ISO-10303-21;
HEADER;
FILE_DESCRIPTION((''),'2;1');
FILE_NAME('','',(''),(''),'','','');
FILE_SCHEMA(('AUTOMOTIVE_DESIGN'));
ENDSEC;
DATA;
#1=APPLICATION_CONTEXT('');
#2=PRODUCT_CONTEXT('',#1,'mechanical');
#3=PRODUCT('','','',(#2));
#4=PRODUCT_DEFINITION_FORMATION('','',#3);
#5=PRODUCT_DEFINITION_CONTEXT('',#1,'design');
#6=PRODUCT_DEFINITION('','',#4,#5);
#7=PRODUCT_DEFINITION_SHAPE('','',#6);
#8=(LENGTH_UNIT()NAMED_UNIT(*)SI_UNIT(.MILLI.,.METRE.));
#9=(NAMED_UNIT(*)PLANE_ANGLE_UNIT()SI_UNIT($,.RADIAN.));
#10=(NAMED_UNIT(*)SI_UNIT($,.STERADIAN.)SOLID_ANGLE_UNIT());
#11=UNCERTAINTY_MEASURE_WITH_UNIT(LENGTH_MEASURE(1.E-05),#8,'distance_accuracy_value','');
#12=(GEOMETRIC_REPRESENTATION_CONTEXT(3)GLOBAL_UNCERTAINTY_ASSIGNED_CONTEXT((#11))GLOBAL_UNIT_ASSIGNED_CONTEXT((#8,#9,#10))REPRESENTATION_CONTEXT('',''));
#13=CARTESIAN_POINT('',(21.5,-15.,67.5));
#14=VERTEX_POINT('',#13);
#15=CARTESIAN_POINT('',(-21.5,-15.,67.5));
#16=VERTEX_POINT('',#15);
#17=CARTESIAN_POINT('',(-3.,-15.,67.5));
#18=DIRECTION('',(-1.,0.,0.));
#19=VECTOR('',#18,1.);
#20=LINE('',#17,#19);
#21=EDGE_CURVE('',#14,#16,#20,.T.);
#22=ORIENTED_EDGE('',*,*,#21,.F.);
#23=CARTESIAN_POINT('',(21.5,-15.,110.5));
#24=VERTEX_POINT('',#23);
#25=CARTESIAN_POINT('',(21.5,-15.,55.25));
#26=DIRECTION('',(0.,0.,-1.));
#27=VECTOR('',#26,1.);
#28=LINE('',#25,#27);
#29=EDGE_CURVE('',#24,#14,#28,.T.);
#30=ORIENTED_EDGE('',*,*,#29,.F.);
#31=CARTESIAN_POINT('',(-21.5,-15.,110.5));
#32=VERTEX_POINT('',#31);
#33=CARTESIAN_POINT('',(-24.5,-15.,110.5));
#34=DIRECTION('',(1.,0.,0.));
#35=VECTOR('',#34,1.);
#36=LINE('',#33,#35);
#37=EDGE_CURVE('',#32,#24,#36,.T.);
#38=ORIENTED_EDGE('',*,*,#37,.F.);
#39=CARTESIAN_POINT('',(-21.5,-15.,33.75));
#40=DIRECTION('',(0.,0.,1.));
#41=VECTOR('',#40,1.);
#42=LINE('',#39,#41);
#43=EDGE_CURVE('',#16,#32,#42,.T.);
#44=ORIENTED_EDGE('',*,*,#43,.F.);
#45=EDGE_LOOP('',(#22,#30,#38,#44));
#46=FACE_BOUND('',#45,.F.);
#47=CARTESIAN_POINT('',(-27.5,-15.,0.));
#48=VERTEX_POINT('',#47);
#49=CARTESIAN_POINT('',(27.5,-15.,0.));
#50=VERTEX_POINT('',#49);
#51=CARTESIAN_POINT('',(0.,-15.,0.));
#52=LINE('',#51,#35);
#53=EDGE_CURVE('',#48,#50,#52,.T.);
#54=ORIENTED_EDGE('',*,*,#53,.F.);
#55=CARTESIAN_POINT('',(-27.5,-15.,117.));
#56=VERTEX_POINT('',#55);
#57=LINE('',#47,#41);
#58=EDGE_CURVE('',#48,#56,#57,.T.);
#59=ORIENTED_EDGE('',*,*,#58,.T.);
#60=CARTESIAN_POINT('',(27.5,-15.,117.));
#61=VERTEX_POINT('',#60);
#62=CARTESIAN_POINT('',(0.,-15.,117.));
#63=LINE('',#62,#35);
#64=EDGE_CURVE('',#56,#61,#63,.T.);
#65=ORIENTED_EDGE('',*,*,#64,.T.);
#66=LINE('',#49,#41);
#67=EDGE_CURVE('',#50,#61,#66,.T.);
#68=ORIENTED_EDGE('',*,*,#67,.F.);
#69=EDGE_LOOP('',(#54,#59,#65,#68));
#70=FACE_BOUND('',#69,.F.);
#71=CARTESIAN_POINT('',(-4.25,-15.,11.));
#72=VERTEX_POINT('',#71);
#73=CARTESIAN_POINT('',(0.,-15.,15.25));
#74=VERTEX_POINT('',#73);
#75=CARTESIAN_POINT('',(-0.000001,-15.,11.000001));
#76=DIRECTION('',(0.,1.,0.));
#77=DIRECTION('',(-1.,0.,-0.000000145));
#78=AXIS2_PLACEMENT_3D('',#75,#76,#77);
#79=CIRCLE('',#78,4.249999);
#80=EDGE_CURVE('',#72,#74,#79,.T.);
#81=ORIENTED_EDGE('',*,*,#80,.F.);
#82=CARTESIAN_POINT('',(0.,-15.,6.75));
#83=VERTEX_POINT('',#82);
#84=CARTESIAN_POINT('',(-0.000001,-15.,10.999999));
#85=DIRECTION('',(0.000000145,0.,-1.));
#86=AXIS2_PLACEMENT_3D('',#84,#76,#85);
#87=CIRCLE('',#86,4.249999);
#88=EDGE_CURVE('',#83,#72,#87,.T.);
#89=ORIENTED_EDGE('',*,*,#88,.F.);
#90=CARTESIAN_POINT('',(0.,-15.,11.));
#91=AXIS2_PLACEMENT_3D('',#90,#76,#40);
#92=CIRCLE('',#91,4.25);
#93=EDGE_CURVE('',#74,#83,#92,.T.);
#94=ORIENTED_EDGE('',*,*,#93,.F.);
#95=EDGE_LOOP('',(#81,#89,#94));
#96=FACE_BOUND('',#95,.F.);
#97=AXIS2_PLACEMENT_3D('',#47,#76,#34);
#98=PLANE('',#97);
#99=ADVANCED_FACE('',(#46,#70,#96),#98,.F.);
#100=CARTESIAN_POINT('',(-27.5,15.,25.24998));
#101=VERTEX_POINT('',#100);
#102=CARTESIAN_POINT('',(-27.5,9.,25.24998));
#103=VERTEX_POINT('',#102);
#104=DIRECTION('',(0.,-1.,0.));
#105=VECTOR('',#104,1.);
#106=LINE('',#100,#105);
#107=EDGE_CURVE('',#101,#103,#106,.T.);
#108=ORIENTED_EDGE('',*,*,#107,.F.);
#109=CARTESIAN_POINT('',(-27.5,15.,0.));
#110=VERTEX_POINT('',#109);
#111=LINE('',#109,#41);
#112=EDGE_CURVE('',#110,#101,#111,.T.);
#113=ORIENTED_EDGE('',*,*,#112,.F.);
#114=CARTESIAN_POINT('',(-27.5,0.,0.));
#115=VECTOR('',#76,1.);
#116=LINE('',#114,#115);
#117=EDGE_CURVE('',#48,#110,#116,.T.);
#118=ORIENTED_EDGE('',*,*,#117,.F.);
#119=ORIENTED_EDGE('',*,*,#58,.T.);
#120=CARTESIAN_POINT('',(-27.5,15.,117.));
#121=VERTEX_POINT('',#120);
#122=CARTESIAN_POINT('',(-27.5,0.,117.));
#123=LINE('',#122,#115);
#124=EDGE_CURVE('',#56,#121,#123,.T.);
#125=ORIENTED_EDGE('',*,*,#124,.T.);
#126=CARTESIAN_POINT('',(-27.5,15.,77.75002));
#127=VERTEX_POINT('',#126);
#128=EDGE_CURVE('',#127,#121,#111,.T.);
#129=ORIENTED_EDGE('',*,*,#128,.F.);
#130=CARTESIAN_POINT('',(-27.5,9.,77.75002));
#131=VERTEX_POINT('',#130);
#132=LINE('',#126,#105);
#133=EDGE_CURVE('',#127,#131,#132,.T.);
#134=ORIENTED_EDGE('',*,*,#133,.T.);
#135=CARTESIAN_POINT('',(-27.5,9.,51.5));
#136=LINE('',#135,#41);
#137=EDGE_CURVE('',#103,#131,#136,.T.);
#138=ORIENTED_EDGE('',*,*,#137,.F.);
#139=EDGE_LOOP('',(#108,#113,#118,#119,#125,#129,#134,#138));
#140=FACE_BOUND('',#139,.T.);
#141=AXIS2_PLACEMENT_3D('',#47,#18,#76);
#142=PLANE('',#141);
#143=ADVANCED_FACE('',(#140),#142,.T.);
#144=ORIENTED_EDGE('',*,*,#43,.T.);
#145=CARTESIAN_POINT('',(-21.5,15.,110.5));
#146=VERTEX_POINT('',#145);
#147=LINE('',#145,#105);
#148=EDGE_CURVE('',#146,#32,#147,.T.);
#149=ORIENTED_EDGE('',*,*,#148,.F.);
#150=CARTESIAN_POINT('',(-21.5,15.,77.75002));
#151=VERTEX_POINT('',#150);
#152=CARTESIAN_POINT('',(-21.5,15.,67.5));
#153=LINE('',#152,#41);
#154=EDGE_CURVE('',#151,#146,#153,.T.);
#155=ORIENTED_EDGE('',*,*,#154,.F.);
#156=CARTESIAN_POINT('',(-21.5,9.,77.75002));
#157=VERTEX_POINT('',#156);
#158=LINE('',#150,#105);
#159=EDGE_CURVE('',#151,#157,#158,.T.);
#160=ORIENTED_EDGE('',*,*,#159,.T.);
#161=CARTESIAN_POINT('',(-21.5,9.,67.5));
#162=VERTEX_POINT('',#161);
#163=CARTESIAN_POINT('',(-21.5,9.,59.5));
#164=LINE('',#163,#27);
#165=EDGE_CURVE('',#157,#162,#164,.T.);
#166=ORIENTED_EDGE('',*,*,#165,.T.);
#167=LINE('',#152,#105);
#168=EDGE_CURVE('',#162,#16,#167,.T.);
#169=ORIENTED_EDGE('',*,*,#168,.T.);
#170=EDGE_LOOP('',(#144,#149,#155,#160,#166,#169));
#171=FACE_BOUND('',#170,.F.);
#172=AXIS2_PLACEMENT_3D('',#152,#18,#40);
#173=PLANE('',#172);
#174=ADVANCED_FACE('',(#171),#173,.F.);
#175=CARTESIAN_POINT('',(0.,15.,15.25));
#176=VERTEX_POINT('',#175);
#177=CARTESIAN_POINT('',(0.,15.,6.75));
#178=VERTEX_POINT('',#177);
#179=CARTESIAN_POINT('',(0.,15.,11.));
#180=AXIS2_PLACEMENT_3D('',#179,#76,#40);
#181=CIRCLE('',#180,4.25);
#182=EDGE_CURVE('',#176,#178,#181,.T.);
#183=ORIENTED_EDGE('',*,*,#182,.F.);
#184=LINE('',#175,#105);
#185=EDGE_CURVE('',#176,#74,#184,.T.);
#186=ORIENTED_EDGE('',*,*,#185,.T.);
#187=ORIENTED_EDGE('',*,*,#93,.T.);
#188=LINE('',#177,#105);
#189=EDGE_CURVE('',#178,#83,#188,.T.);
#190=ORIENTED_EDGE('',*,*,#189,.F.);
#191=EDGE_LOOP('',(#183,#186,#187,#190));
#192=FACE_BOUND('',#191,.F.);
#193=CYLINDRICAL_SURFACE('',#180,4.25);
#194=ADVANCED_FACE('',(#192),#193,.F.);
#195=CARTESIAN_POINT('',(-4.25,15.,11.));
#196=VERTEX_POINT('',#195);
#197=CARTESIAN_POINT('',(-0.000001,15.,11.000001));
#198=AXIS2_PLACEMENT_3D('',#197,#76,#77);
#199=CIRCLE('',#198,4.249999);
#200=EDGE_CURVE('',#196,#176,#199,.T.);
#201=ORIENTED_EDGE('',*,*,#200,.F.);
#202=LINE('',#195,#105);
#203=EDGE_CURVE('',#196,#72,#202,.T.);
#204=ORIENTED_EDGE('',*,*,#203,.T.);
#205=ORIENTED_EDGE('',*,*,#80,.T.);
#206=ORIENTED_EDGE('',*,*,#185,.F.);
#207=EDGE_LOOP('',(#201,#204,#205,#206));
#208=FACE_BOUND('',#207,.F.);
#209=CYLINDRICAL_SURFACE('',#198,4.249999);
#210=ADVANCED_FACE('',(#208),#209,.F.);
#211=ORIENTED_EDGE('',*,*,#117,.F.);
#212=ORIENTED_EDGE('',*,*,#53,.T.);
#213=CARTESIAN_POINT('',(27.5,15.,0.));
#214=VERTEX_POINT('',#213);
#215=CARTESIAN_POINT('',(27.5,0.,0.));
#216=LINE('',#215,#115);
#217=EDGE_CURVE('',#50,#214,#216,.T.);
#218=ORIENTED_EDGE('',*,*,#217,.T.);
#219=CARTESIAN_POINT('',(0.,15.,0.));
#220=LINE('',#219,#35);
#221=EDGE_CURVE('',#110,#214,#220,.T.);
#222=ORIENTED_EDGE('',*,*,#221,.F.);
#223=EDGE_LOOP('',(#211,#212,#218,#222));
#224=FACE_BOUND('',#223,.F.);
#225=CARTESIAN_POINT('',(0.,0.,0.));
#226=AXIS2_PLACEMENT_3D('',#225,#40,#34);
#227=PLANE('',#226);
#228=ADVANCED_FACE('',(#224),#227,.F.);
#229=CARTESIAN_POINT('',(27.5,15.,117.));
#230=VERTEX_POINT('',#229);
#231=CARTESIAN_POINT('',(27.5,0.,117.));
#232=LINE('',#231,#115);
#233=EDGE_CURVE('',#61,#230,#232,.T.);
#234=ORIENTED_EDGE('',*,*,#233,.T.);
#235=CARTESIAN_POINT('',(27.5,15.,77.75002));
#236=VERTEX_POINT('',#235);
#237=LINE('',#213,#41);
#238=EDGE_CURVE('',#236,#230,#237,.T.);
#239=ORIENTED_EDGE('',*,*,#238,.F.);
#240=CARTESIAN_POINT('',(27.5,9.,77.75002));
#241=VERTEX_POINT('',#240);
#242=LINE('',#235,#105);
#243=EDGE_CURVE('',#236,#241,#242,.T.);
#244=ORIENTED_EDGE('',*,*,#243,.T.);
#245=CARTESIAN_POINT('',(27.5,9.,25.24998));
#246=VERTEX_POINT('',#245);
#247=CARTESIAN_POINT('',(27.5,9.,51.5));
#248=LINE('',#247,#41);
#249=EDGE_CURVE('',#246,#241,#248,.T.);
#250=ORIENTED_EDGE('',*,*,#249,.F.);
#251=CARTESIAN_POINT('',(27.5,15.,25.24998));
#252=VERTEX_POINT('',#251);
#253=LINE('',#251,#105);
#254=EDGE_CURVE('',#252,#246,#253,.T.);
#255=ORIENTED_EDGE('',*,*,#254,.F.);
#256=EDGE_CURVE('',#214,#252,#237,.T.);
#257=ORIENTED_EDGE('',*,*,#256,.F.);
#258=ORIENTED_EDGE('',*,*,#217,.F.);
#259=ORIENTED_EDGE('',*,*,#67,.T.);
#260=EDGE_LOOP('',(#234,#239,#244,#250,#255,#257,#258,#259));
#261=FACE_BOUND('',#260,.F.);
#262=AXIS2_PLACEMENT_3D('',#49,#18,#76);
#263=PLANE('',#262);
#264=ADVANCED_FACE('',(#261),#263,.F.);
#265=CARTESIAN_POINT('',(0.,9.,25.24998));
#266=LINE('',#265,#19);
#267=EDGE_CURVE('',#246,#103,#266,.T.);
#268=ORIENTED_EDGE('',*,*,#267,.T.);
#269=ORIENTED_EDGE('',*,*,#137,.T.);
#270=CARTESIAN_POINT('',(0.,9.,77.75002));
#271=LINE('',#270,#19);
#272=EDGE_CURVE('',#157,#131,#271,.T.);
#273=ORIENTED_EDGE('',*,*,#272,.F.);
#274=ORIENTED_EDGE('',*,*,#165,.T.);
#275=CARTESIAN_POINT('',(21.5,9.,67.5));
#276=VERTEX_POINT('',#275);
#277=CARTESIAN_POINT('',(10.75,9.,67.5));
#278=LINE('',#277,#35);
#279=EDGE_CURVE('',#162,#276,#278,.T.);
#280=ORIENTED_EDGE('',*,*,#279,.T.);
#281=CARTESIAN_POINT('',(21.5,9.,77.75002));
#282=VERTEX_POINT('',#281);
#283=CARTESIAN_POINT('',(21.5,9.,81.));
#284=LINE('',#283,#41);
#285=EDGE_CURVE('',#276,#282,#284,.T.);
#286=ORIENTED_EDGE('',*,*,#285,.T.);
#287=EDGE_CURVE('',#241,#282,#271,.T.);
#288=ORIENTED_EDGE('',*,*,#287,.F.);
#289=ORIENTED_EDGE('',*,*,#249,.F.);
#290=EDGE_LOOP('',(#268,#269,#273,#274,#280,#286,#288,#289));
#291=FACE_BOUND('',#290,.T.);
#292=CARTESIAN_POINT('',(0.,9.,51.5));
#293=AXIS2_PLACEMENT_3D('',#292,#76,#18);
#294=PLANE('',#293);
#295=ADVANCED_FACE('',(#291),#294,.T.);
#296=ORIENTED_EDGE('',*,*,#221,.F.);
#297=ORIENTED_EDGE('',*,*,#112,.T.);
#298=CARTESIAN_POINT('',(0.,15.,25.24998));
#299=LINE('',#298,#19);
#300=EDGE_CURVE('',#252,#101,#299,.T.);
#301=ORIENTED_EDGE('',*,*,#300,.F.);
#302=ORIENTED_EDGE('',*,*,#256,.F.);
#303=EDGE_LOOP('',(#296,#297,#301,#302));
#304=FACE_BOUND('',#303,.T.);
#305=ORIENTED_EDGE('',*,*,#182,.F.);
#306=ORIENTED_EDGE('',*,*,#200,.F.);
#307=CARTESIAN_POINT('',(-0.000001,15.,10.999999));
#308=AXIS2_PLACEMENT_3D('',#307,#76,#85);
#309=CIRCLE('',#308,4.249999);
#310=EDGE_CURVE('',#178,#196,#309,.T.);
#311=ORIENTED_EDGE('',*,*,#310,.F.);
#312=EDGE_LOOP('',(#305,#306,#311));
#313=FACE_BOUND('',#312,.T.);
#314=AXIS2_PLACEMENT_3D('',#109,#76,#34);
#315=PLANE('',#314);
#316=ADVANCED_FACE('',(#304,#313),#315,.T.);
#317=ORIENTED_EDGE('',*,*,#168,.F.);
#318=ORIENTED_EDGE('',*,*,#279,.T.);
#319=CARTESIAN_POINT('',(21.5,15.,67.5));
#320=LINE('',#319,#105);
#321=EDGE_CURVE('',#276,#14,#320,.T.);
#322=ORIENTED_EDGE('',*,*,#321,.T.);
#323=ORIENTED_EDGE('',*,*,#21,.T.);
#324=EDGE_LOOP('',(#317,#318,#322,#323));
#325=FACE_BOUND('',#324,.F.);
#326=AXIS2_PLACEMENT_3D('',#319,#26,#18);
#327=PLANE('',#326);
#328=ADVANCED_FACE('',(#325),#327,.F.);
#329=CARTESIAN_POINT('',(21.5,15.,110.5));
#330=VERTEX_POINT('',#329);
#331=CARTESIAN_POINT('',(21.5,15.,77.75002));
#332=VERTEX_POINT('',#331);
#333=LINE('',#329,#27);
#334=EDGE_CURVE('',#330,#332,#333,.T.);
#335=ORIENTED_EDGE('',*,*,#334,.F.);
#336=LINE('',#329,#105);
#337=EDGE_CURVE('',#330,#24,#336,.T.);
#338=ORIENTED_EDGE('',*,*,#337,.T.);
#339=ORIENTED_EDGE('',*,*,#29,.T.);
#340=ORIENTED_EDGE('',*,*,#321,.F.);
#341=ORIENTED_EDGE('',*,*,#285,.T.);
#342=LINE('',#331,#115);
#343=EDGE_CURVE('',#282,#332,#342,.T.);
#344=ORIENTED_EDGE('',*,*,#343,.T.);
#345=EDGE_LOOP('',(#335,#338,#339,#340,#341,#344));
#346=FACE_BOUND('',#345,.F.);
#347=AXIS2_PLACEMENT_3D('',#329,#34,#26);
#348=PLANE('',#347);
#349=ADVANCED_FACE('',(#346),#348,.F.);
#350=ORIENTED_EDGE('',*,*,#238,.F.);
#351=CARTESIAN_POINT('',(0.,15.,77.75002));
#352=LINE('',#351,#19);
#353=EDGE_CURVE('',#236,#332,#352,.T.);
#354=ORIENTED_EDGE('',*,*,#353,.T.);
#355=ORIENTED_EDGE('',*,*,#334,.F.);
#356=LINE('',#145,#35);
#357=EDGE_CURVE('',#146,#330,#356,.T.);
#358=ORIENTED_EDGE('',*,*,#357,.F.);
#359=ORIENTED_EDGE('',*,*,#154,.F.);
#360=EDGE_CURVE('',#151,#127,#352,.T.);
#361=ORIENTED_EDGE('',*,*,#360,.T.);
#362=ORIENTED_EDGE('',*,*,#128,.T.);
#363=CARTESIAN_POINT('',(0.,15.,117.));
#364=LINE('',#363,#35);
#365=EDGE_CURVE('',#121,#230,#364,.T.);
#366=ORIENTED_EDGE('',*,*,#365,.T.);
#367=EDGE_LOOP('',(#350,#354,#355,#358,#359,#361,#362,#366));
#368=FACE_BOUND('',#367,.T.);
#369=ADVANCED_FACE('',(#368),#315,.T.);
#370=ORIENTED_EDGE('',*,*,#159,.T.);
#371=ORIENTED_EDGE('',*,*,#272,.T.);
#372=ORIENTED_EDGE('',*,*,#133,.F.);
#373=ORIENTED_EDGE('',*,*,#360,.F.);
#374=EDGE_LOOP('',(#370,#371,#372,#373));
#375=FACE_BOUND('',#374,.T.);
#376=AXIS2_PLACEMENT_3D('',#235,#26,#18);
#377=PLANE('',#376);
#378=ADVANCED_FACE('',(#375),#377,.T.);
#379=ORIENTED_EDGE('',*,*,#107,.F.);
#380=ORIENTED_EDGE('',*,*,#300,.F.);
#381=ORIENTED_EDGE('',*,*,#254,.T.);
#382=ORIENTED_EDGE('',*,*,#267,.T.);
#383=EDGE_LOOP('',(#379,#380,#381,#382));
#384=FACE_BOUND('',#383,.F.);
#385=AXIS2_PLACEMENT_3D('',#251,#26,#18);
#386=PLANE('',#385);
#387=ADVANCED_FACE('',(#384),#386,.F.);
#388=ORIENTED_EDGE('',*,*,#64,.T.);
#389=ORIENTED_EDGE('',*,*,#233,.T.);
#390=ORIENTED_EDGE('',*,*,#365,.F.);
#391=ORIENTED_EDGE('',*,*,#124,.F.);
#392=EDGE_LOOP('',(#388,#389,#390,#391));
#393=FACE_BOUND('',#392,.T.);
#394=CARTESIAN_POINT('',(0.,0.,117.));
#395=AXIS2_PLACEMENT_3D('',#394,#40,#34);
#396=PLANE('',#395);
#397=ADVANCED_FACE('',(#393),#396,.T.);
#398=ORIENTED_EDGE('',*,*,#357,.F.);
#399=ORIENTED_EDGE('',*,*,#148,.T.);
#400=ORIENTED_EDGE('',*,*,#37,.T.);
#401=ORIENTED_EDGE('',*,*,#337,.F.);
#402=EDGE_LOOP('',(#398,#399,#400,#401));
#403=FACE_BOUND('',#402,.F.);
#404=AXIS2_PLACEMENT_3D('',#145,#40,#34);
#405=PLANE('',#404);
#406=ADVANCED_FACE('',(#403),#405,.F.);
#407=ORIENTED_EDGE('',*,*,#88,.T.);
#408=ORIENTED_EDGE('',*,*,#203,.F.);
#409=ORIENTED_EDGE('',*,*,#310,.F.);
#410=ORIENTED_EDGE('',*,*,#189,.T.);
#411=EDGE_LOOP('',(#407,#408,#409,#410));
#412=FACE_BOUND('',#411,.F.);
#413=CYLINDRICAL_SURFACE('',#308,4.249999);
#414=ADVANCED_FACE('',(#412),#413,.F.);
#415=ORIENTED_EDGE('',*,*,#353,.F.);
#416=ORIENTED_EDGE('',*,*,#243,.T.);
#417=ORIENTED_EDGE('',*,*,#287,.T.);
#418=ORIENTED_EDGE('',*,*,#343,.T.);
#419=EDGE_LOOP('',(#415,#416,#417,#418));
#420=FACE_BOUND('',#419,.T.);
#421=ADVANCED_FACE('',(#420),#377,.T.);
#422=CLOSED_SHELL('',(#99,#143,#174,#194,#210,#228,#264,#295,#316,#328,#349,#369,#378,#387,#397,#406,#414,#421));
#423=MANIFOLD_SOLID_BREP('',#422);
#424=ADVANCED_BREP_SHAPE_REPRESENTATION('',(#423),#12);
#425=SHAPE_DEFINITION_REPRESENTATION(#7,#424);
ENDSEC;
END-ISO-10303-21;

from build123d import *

# Parameters (mm, degrees)
F0_W     = 55
F0_H     = 30
F1_DEPTH = 117
F3_DEPTH = 47.244
F4_W     = 55
F4_H     = 52.50004
F5_DEPTH = 6


with BuildPart() as f1:
    # F0 (on Top) → F1 (new body)
    with BuildSketch(Plane.XY):
        Rectangle(F0_W, F0_H)
    extrude(amount=F1_DEPTH)

    # F2 (on face) → F3 (cut)
    with BuildSketch(Plane(origin=(0, 15, 0), x_dir=(-1, 0, 0), z_dir=(0, 1, 0))):
        with BuildLine():
            ThreePointArc((0, 15.25), (-4.25, 11), (0, 6.75))
            Line((0, 6.75), (0, 11))
            Line((0, 11), (0, 15.25))
        make_face()
        with BuildLine():
            Line((-21.5, 67.5), (0, 67.5))
            Line((0, 67.5), (0, 75))
            ThreePointArc((0, 75), (-14, 89), (0, 103))
            Line((0, 103), (0, 110.5))
            Line((0, 110.5), (-21.5, 110.5))
            Line((-21.5, 110.5), (-21.5, 67.5))
        make_face()
        with BuildLine():
            Line((0, 75), (0, 67.5))
            Line((0, 67.5), (21.5, 67.5))
            Line((21.5, 67.5), (21.5, 110.5))
            Line((21.5, 110.5), (0, 110.5))
            Line((0, 110.5), (0, 103))
            ThreePointArc((0, 103), (9.899495, 98.899495), (14, 89))
            ThreePointArc((14, 89), (9.899495, 79.100505), (0, 75))
        make_face()
        with BuildLine():
            Line((0, 11), (0, 6.75))
            ThreePointArc((0, 6.75), (3.005204, 7.994796), (4.25, 11))
            ThreePointArc((4.25, 11), (3.005204, 14.005204), (0, 15.25))
            Line((0, 15.25), (0, 11))
        make_face()
        with BuildLine():
            ThreePointArc((0, 103), (-14, 89), (0, 75))
            Line((0, 75), (0, 89))
            Line((0, 89), (0, 103))
        make_face()
        with BuildLine():
            Line((0, 89), (0, 75))
            ThreePointArc((0, 75), (9.899495, 79.100505), (14, 89))
            ThreePointArc((14, 89), (9.899495, 98.899495), (0, 103))
            Line((0, 103), (0, 89))
        make_face()
    extrude(amount=-F3_DEPTH, mode=Mode.SUBTRACT)

    # F4 (on face) → F5 (cut)
    with BuildSketch(Plane(origin=(0, 15, 0), x_dir=(-1, 0, 0), z_dir=(0, 1, 0))):
        with Locations((0, 51.5)):
            Rectangle(F4_W, F4_H)
    extrude(amount=-F5_DEPTH, mode=Mode.SUBTRACT)


solid = f1.part
